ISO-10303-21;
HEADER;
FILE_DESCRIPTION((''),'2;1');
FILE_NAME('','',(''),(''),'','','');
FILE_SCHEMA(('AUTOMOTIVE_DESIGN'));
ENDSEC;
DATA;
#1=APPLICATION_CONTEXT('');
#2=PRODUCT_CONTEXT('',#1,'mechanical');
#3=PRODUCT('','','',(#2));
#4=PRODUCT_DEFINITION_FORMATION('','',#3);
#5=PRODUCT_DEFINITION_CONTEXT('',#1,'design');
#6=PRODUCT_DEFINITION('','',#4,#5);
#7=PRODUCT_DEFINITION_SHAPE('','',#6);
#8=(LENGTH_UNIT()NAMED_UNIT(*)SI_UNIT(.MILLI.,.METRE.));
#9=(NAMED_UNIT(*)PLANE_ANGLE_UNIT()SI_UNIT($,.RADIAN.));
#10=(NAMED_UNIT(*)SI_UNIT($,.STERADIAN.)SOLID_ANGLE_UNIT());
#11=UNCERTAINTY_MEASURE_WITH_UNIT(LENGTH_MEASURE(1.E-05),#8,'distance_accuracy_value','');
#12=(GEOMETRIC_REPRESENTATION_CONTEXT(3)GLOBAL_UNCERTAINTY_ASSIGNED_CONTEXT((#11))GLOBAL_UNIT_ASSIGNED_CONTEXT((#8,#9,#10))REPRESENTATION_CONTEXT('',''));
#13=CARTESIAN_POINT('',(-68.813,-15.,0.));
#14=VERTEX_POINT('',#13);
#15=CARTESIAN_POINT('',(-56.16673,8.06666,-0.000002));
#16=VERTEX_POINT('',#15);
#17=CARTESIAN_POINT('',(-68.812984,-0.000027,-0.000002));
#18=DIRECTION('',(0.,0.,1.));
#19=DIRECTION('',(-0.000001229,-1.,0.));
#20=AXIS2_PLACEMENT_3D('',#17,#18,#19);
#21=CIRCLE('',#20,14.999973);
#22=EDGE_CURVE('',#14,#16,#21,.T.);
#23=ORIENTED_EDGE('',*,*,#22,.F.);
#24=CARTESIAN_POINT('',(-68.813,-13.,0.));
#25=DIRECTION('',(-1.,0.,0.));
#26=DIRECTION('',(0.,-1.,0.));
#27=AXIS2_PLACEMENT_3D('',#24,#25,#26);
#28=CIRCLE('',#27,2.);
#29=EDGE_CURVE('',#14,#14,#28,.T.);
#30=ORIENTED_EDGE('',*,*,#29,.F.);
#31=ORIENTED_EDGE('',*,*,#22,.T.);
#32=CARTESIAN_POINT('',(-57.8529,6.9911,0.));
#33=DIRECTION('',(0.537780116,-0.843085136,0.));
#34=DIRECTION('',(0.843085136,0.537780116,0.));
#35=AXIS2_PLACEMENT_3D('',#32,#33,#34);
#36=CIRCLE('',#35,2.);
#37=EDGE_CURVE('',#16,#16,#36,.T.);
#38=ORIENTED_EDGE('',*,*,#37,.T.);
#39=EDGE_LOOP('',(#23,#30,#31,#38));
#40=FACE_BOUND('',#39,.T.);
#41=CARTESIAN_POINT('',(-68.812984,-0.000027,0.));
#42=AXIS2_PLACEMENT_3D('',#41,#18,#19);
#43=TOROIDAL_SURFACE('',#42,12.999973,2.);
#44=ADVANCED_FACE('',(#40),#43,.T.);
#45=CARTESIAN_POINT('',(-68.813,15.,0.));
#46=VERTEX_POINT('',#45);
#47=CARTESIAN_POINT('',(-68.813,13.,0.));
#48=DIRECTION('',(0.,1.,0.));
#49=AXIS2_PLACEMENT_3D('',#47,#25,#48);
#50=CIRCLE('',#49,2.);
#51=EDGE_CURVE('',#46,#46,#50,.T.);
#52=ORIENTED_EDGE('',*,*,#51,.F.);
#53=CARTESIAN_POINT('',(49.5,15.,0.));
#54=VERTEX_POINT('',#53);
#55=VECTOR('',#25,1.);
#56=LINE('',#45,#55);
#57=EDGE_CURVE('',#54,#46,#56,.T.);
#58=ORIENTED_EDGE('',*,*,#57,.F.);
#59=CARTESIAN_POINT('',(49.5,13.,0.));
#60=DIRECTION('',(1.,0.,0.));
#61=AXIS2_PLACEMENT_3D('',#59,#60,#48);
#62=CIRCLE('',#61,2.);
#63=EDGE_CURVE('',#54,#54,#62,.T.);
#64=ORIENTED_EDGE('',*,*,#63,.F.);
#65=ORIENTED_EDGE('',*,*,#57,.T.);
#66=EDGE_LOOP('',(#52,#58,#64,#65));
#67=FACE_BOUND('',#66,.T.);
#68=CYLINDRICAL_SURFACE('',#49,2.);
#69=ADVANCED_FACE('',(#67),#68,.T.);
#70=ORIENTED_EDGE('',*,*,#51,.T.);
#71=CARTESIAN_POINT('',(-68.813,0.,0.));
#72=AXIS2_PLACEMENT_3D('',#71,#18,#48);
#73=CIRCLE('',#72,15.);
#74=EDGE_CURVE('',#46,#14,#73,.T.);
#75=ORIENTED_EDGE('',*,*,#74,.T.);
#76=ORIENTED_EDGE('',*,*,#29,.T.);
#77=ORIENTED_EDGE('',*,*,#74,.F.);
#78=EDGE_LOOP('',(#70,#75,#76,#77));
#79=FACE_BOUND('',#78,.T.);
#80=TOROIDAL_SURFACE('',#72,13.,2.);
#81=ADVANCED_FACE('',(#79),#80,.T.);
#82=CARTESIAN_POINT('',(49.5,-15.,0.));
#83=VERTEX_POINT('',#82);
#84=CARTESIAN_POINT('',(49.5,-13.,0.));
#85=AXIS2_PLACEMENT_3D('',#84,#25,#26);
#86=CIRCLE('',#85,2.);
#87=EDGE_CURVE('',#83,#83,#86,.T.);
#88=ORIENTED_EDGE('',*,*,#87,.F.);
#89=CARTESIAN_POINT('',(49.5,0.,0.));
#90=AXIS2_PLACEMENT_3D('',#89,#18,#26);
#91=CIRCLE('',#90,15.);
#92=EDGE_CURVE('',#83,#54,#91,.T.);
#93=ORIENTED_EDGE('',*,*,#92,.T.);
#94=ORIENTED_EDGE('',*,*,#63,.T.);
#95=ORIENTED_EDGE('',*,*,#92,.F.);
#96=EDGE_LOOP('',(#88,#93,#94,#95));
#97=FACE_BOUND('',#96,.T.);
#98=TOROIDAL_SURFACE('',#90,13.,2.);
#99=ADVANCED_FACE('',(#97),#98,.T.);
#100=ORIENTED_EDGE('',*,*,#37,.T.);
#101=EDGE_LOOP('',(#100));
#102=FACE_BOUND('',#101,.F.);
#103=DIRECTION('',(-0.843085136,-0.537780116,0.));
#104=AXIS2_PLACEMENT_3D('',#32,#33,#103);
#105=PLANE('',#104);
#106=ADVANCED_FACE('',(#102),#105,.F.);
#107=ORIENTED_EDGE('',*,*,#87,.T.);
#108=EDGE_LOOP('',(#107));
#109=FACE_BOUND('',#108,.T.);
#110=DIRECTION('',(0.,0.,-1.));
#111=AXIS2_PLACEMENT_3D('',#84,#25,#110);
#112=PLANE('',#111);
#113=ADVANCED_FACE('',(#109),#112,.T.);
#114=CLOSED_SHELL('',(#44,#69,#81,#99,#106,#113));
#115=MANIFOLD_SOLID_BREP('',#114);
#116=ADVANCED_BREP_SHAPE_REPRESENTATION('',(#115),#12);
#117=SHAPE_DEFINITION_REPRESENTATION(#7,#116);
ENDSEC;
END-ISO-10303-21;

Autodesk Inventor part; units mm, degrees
ref_plane "YZ Plane" through (0, 0, 0) normal (1, 0, 0) x (0, 1, 0)
ref_plane "XZ Plane" through (0, 0, 0) normal (0, 1, 0) x (-1, 0, 0)
sketch "Boceto2" plane through (0, 0, 0) normal (1, 0, 0) x (0, 1, 0)
  circle A0 centre (13, 0) radius 2
  point P0 (0, 0)
  point P1 (13, 0)
  dimension "d4" = 4
sketch "Boceto1" plane through (0, 0, 0) normal (0, 0, 1) x (1, 0, 0)
  line L0 (-68.813, 0) -> (68.813, 0) construction
  line L1 (49.5, 15) -> (-68.813, 15)
  arc A0 (49.5, -15) -> (49.5, 15) centre (49.5, 0) ccw
  line L2 (-68.813, 0) -> (68.813, 0) construction
  line L3 (49.5, 11) -> (-68.813, 11)
  arc A1 (49.5, -11) -> (49.5, 11) centre (49.5, 0) ccw
  line L4 (-68.813, 13) -> (49.5, 13)
  arc A2 (49.5, -13) -> (49.5, 13) centre (49.5, 0) ccw
  line L5 (49.5, -11) -> (49.5, -15)
  line L6 (-59.539, 5.9156) -> (-56.1667, 8.0667)
  arc A3 (-68.813, -11) -> (-59.539, 5.9156) centre (-68.813, 0) ccw
  arc A4 (-68.813, -13) -> (-57.8529, 6.9911) centre (-68.813, 0) ccw
  arc A5 (-68.813, 11) -> (-68.813, -11) centre (-68.813, 0) ccw
  arc A6 (-68.813, 13) -> (-68.813, -13) centre (-68.813, 0) ccw
  arc A7 (-68.813, 15) -> (-68.813, -15) centre (-68.813, 0) ccw
  arc A8 (-68.813, -15) -> (-56.1667, 8.0667) centre (-68.813, 0) ccw
  point P0 (0, 0)
  point P1 (64.5, 0)
  point P2 (-83.813, 0)
  dimension "d3" = 2
  dimension "d7" = 118.313
  dimension "d8" = 148.313
  dimension "d9" = 118.313
  dimension "d10" = 118.313
sweep "Barrido1" add profiles "Boceto2" path "Boceto1" path curves A4 A6 L4 A2
ref_plane "Plano de trabajo3" through (-68.813, 0, 0) normal (0, 0, -1) x (-1, 0, 0)
sketch "Boceto5" plane through (-68.813, 0, 0) normal (0, 0, -1) x (-1, 0, 0)
  arc A0 (-12.6463, 8.0667) -> (0, 15) centre (0, 0) ccw projected
  arc A1 (-118.313, 11) -> (-118.313, -11) centre (-118.313, 0) ccw projected
  arc A2 (-118.313, 15) -> (-118.313, -15) centre (-118.313, 0) ccw projected
  point P0 (-68.813, 0)
  point P1 (-110, 0)
  point P2 (-114, 0)
  point P3 (11, 0)
  point P4 (15, 0)
  point P5 (-129.313, 0)
  point P6 (-133.313, 0)
properties part number "Gancho" material "Acero"
